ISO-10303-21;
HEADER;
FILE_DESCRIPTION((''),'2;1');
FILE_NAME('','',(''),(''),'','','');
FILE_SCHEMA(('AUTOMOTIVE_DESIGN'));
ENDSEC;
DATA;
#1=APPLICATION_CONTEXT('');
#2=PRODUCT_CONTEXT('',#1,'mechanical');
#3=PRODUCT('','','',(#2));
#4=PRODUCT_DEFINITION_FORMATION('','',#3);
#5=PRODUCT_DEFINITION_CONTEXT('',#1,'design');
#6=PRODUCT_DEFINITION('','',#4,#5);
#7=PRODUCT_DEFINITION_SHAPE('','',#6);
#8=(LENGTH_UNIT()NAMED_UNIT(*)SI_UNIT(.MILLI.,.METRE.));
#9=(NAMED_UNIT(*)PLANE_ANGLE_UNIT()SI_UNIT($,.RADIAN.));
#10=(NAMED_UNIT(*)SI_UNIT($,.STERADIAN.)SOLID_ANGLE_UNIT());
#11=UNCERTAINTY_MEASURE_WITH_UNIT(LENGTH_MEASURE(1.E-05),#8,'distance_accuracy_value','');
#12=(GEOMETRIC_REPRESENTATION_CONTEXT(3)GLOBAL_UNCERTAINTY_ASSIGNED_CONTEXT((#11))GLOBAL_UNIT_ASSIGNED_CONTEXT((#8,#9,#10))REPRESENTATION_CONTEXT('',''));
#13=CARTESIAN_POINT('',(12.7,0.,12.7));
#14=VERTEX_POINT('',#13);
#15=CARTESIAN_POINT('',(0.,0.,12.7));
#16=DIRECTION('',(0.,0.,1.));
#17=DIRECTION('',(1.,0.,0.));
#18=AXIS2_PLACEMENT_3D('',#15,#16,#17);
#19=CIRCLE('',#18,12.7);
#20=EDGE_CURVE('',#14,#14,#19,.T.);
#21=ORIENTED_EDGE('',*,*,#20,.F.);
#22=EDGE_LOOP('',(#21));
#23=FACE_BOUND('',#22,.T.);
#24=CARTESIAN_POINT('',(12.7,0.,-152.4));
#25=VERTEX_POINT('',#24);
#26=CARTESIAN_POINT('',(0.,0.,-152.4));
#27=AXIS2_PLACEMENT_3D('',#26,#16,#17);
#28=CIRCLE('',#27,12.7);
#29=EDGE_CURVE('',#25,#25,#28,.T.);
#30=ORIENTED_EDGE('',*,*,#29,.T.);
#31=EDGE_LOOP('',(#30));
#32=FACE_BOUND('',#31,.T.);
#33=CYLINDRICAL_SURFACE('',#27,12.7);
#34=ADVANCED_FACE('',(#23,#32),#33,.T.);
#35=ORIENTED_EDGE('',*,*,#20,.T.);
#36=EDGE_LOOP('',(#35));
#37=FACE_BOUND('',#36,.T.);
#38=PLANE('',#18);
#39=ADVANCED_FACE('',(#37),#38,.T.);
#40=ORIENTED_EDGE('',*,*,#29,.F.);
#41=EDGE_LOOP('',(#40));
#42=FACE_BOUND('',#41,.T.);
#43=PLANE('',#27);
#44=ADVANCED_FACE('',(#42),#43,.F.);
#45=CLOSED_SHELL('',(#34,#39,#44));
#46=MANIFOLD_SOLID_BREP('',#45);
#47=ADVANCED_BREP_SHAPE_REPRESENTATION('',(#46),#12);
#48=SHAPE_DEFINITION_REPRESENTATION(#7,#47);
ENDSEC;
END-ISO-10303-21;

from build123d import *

# Parameters (mm, degrees)
EXTRUDE1_DEPTH      = 12.7
EXTRUDE1_DEPTH_BACK = 152.4
SKETCH1_R           = 12.7


with BuildPart() as part:
    # Sketch1 → Extrude1 (new, two sides: drawn at the far end of the back side and taken through both)
    with BuildSketch(Plane.XY.offset(-EXTRUDE1_DEPTH_BACK)):
        Circle(SKETCH1_R)
    extrude(amount=EXTRUDE1_DEPTH + EXTRUDE1_DEPTH_BACK)


solid = part.part
